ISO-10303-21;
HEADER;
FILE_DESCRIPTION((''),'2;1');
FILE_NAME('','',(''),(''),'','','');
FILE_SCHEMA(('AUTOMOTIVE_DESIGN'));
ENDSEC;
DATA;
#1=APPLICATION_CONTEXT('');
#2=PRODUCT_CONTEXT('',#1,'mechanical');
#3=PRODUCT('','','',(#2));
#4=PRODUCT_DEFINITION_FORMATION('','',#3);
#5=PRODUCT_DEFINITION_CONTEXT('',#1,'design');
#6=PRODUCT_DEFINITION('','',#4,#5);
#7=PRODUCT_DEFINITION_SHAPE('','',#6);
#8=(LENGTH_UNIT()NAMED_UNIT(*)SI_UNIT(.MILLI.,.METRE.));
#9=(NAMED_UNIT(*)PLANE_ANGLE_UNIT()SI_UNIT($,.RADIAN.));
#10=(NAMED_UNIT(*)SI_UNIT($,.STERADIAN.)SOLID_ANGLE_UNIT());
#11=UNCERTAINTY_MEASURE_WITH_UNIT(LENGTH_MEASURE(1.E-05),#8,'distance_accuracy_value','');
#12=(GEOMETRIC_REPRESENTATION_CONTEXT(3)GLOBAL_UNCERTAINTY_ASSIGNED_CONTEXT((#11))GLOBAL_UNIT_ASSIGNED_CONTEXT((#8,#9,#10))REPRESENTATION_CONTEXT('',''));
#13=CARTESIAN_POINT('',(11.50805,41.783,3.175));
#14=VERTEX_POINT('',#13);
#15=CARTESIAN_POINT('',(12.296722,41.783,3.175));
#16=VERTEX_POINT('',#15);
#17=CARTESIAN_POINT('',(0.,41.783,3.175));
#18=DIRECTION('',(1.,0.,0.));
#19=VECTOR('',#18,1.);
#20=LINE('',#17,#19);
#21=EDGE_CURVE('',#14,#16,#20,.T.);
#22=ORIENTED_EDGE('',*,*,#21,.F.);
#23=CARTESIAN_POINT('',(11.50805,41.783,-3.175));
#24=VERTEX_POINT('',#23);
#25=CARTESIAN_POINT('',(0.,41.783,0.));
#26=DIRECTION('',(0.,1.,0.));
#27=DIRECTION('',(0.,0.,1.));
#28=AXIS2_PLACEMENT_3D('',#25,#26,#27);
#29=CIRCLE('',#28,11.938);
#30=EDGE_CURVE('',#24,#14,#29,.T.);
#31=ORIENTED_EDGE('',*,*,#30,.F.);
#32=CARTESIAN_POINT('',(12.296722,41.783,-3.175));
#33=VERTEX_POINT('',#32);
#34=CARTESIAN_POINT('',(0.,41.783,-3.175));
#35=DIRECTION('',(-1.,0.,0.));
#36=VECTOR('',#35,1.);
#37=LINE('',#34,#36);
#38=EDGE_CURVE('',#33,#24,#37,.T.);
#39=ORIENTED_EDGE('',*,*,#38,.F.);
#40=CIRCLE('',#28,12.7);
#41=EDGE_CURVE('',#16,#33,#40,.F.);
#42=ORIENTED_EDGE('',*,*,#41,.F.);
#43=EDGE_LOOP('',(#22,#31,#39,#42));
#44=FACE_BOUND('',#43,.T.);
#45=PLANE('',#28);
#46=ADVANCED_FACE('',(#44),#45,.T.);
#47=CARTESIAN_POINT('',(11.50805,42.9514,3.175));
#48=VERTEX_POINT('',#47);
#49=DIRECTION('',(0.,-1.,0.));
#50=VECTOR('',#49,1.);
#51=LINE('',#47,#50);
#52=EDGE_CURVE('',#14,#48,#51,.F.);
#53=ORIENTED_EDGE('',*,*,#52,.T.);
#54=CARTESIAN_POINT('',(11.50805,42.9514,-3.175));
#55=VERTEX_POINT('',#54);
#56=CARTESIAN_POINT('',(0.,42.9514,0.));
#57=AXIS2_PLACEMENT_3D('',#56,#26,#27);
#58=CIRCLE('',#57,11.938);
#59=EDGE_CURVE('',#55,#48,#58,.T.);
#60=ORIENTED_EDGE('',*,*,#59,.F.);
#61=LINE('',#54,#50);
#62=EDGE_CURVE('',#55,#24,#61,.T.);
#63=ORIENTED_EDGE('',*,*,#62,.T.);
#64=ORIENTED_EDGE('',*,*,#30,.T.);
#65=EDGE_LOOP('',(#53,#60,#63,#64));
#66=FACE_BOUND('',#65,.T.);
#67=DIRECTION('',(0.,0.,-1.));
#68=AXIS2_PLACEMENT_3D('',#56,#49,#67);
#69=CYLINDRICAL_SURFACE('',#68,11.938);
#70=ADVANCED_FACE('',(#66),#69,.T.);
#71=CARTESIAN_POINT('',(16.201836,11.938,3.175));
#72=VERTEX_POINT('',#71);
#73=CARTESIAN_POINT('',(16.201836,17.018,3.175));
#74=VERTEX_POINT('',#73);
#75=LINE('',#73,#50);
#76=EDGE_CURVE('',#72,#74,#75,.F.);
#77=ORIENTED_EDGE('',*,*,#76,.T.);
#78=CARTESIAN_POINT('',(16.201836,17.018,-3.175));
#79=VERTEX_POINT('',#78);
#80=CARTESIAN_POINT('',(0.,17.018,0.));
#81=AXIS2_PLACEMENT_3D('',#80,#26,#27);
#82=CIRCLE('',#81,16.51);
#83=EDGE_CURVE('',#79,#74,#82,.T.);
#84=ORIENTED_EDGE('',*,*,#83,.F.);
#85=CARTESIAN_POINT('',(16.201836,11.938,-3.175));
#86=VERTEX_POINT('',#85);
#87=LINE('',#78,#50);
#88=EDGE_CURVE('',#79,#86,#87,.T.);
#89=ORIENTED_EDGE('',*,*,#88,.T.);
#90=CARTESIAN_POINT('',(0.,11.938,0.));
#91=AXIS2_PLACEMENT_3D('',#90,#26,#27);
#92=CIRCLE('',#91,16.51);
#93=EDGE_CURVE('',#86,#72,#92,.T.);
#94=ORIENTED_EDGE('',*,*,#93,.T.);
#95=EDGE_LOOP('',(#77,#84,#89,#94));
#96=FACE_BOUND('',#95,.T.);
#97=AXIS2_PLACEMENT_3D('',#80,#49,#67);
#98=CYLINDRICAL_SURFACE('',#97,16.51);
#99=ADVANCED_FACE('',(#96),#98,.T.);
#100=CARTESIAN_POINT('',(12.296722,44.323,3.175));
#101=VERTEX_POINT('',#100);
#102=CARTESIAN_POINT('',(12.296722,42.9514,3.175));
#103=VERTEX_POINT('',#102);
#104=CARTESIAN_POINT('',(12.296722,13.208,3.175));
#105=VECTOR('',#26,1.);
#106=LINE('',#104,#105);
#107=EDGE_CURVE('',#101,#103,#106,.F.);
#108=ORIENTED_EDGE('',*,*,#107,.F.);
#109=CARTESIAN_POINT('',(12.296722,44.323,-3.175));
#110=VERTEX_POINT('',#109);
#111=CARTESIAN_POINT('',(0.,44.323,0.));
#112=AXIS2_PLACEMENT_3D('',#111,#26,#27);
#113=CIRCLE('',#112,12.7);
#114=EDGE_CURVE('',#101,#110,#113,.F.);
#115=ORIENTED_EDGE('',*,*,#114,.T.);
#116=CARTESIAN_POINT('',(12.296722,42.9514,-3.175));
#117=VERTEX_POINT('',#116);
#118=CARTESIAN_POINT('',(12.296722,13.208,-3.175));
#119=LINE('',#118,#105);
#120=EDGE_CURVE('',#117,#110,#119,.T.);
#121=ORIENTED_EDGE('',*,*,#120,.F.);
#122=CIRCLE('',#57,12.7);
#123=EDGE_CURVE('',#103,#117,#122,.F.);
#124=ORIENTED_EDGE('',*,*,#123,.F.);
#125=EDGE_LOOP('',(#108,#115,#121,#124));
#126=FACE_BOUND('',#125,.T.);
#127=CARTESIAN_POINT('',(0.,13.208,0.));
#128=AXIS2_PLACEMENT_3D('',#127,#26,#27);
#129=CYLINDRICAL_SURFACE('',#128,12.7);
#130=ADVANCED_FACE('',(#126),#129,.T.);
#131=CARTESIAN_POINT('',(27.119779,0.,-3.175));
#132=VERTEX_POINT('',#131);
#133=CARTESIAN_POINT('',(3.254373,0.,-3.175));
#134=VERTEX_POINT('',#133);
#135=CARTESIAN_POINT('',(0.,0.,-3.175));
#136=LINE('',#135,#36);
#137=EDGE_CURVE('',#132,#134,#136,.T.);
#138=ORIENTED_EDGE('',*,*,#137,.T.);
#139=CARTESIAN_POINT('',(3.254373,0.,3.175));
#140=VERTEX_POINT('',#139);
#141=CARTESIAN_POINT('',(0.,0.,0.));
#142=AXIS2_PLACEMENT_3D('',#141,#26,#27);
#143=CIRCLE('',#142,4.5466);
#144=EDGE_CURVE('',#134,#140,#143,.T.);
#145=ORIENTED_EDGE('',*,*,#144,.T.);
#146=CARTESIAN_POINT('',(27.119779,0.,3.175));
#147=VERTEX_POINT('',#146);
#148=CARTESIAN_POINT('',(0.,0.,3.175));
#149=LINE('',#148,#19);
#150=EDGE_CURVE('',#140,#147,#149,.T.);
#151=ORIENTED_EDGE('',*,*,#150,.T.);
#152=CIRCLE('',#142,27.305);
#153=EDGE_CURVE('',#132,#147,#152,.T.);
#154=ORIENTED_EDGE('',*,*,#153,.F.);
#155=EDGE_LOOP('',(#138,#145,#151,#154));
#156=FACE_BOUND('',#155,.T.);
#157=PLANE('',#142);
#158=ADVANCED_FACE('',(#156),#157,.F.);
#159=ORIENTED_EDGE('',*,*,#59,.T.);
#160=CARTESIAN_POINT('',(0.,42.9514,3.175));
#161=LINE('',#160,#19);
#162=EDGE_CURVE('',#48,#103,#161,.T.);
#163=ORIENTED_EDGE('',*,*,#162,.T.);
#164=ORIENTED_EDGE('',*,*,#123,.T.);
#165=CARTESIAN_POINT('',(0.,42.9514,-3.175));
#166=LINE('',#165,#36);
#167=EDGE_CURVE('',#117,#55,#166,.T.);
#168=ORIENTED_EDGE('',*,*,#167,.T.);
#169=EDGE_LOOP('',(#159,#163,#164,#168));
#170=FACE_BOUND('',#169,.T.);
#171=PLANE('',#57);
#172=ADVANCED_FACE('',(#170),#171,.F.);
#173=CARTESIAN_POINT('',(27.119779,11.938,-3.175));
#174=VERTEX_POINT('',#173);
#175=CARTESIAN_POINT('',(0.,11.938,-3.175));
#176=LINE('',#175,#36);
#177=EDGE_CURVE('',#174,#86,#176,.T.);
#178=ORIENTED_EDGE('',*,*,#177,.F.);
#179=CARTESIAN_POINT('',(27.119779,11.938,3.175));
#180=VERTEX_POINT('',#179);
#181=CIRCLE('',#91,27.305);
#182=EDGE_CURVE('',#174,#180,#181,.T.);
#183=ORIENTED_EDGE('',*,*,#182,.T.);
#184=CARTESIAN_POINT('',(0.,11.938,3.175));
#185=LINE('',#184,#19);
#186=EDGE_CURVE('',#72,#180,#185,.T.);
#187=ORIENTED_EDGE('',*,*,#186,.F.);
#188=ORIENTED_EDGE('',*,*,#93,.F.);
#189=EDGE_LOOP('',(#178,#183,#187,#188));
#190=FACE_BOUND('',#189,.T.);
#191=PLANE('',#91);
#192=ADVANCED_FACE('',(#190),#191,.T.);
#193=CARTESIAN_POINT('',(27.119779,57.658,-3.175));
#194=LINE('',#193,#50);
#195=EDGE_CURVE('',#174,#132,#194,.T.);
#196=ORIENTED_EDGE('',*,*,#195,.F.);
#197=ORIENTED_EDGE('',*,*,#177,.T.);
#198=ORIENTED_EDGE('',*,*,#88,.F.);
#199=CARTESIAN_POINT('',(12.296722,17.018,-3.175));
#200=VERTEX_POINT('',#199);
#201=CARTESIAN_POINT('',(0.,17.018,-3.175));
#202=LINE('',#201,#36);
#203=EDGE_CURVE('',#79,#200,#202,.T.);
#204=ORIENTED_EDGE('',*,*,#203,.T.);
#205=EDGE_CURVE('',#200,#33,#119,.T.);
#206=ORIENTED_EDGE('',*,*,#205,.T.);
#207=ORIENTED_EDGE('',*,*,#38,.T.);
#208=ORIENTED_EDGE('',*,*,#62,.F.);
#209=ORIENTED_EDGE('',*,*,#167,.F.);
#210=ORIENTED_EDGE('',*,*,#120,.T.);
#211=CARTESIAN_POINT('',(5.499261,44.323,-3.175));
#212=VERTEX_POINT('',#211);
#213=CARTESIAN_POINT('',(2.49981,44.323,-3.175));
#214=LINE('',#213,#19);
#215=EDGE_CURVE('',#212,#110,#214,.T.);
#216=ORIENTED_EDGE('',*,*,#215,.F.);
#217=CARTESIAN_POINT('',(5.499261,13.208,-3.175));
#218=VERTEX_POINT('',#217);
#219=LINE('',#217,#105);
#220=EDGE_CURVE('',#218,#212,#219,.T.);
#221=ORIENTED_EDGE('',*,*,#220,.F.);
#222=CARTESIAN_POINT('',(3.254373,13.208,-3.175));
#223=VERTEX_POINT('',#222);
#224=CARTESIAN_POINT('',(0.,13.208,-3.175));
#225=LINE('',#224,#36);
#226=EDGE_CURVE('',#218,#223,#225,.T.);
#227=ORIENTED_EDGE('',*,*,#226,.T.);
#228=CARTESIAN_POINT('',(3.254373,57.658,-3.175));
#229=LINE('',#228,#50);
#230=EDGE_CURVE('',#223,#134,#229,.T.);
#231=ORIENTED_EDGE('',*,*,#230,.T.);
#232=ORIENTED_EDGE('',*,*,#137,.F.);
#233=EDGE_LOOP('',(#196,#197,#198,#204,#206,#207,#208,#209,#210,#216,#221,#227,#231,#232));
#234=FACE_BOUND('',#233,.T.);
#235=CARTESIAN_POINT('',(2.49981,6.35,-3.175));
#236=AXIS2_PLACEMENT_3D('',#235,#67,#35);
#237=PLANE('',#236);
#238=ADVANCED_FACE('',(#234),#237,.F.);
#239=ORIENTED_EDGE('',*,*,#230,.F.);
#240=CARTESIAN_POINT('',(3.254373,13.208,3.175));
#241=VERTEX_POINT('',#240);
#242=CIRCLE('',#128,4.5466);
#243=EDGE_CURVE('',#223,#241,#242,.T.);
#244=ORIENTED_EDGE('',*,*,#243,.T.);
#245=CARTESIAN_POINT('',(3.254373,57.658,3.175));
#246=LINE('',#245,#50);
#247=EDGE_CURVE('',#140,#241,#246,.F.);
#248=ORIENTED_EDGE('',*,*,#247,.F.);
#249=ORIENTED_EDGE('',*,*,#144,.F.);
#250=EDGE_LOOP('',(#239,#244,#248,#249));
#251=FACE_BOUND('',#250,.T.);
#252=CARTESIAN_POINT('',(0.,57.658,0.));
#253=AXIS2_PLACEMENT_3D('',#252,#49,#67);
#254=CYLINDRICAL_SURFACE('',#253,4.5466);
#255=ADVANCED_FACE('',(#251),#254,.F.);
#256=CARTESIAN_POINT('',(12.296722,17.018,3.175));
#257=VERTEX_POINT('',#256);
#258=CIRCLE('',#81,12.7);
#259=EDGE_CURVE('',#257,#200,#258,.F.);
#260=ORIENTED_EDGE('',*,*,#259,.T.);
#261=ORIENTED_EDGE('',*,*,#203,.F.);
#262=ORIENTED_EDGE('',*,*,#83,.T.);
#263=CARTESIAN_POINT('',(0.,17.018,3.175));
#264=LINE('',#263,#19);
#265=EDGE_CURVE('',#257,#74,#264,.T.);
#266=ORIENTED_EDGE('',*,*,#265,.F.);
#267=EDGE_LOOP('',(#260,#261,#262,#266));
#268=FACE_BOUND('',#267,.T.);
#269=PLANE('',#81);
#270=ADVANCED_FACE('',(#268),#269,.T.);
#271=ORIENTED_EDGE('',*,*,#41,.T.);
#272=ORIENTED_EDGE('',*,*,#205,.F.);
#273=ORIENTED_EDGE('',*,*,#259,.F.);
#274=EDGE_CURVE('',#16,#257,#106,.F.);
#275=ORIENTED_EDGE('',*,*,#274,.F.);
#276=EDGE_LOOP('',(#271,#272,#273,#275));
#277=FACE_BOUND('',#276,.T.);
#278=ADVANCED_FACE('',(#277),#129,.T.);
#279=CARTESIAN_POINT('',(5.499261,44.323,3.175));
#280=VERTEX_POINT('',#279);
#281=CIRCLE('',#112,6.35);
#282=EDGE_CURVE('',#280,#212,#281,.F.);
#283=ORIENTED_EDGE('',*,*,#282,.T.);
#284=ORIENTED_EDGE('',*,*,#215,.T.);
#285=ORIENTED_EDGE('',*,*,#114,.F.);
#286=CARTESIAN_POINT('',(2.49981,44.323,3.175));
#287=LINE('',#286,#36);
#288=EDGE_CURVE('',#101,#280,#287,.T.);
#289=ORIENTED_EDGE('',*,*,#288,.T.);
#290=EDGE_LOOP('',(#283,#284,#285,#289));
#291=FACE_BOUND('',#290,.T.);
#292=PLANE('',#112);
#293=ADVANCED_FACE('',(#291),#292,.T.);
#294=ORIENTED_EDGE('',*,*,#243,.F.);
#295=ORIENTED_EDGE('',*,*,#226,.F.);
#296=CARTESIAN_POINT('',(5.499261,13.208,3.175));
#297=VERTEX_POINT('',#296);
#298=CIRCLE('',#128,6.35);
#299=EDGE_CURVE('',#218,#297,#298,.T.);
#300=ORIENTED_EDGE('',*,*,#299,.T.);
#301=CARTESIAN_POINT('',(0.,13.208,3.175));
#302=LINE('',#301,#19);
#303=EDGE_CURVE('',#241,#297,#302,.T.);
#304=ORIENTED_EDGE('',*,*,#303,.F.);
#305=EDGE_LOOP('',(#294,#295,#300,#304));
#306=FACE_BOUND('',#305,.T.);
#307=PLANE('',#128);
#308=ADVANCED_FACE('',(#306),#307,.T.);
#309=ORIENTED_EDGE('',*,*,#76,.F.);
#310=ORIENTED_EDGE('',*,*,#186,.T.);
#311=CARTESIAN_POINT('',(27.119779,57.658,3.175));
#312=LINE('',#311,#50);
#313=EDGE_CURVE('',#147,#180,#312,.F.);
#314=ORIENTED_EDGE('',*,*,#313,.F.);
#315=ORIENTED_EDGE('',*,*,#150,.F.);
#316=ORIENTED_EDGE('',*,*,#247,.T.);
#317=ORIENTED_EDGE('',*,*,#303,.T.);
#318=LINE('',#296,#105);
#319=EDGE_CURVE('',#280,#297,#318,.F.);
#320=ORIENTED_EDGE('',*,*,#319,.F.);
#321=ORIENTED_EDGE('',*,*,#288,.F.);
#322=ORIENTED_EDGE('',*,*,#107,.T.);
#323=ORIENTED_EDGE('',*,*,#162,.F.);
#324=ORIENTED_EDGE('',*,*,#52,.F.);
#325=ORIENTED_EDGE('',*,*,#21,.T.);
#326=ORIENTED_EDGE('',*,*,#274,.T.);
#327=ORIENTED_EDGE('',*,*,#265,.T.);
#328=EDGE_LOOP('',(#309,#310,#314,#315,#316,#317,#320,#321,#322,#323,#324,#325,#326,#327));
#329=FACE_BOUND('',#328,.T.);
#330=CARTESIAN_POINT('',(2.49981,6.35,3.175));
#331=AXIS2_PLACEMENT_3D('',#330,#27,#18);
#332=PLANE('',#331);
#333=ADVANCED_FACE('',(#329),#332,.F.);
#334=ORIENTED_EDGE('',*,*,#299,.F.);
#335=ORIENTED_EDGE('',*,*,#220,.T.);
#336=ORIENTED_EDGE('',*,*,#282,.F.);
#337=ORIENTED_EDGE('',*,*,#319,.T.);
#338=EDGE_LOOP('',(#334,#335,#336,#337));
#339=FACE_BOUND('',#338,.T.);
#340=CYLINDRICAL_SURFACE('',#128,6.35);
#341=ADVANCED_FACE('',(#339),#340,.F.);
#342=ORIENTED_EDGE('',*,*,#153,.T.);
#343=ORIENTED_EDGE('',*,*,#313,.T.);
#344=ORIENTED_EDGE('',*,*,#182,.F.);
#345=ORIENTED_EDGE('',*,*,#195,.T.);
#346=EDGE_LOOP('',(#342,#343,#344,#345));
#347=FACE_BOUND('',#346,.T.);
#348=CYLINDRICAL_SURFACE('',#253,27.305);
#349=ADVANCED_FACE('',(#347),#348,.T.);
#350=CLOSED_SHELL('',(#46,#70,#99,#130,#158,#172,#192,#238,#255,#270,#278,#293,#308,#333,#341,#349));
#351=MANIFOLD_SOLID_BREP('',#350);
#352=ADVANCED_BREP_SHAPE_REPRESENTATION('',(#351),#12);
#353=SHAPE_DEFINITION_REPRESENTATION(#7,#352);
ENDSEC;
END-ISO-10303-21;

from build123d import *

# Parameters (mm, degrees)
SKETCH1_R           = 27.305
SKETCH1_R_2         = 4.5466
BOSS_EXTRUDE1_DEPTH = 57.658
SKETCH2_R           = 6.35
CUT_EXTRUDE1_DEPTH  = 44.45
SKETCH3_OUTSIDE_W   = 75.886
SKETCH3_OUTSIDE_H   = 75.886
SKETCH3_OUTSIDE_R   = 12.7
CUT_EXTRUDE2_DEPTH  = 44.45
SKETCH10_W          = 30.679481275
SKETCH10_H          = 6.35
CUT_EXTRUDE7_DEPTH  = 6.35
SKETCH13_OUTSIDE_W  = 75.886
SKETCH13_OUTSIDE_H  = 75.886
SKETCH13_OUTSIDE_R  = 11.938
CUT_EXTRUDE9_DEPTH  = 1.1684
SKETCH16_R          = 46.08237905
CUT_EXTRUDE11_DEPTH = 59.784814187
BOSS_EXTRUDE4_START = 3.81
SKETCH18_R          = 16.51
SKETCH18_R_2        = 12.7
BOSS_EXTRUDE4_DEPTH = 3.81
SKETCH19_OUTSIDE_W  = 74.42
SKETCH19_OUTSIDE_H  = 74.42
SKETCH19_OUTSIDE_R  = 16.51
CUT_EXTRUDE12_DEPTH = 1.27
SKETCH10_2_W        = 30.679481275
SKETCH10_2_H        = 6.35
CUT_EXTRUDE13_DEPTH = 59.784814187


with BuildPart() as part:
    # Sketch1 → Boss-Extrude1 (new body)
    with BuildSketch(Plane(origin=(0, 0, 0), x_dir=(1, 0, 0), z_dir=(0, 1, 0))):
        Circle(SKETCH1_R)
        Circle(SKETCH1_R_2, mode=Mode.SUBTRACT)
    extrude(amount=BOSS_EXTRUDE1_DEPTH)

    # Sketch2 → Cut-Extrude1 (cut)
    with BuildSketch(Plane(origin=(0, 57.658, 0), x_dir=(1, 0, 0), z_dir=(0, 1, 0))):
        Circle(SKETCH2_R)
    extrude(amount=-CUT_EXTRUDE1_DEPTH, mode=Mode.SUBTRACT)

    # Sketch3 outside → Cut-Extrude2 (cut)
    with BuildSketch(Plane(origin=(0, 57.658, 0), x_dir=(1, 0, 0), z_dir=(0, 1, 0))):
        Rectangle(SKETCH3_OUTSIDE_W, SKETCH3_OUTSIDE_H)
        Circle(SKETCH3_OUTSIDE_R, mode=Mode.SUBTRACT)
    extrude(amount=-CUT_EXTRUDE2_DEPTH, mode=Mode.SUBTRACT)

    # Sketch10 → Cut-Extrude7 (cut)
    with BuildSketch(Plane.XZ):
        with Locations((17.839550223, 0)):
            Rectangle(SKETCH10_W, SKETCH10_H)
    extrude(amount=-CUT_EXTRUDE7_DEPTH, mode=Mode.SUBTRACT)

    # Sketch13 outside → Cut-Extrude9 (cut)
    with BuildSketch(Plane(origin=(0, 41.783, 0), x_dir=(-1, 0, 0), z_dir=(0, 1, 0))):
        Rectangle(SKETCH13_OUTSIDE_W, SKETCH13_OUTSIDE_H)
        Circle(SKETCH13_OUTSIDE_R, mode=Mode.SUBTRACT)
    extrude(amount=CUT_EXTRUDE9_DEPTH, mode=Mode.SUBTRACT)

    # Sketch16 → Cut-Extrude11 (cut, through all)
    with BuildSketch(Plane(origin=(0, 44.323, 0), x_dir=(-1, 0, 0), z_dir=(0, 1, 0))):
        Circle(SKETCH16_R)
    extrude(amount=CUT_EXTRUDE11_DEPTH, mode=Mode.SUBTRACT)

    # Sketch18 → Boss-Extrude4 (add)
    with BuildSketch(Plane(origin=(0, 13.208, 0), x_dir=(1, 0, 0), z_dir=(0, 1, 0)).offset(BOSS_EXTRUDE4_START)):
        Circle(SKETCH18_R)
        Circle(SKETCH18_R_2, mode=Mode.SUBTRACT)
    extrude(amount=-BOSS_EXTRUDE4_DEPTH)

    # Sketch19 outside → Cut-Extrude12 (cut)
    with BuildSketch(Plane(origin=(0, 13.208, 0), x_dir=(1, 0, 0), z_dir=(0, 1, 0))):
        Rectangle(SKETCH19_OUTSIDE_W, SKETCH19_OUTSIDE_H)
        Circle(SKETCH19_OUTSIDE_R, mode=Mode.SUBTRACT)
    extrude(amount=-CUT_EXTRUDE12_DEPTH, mode=Mode.SUBTRACT)

    # Sketch10<2> → Cut-Extrude13 (cut, through all)
    with BuildSketch(Plane.XZ):
        with Locations((17.839550223, 0)):
            Rectangle(SKETCH10_2_W, SKETCH10_2_H)
    extrude(amount=-CUT_EXTRUDE13_DEPTH, mode=Mode.SUBTRACT)


solid = part.part
